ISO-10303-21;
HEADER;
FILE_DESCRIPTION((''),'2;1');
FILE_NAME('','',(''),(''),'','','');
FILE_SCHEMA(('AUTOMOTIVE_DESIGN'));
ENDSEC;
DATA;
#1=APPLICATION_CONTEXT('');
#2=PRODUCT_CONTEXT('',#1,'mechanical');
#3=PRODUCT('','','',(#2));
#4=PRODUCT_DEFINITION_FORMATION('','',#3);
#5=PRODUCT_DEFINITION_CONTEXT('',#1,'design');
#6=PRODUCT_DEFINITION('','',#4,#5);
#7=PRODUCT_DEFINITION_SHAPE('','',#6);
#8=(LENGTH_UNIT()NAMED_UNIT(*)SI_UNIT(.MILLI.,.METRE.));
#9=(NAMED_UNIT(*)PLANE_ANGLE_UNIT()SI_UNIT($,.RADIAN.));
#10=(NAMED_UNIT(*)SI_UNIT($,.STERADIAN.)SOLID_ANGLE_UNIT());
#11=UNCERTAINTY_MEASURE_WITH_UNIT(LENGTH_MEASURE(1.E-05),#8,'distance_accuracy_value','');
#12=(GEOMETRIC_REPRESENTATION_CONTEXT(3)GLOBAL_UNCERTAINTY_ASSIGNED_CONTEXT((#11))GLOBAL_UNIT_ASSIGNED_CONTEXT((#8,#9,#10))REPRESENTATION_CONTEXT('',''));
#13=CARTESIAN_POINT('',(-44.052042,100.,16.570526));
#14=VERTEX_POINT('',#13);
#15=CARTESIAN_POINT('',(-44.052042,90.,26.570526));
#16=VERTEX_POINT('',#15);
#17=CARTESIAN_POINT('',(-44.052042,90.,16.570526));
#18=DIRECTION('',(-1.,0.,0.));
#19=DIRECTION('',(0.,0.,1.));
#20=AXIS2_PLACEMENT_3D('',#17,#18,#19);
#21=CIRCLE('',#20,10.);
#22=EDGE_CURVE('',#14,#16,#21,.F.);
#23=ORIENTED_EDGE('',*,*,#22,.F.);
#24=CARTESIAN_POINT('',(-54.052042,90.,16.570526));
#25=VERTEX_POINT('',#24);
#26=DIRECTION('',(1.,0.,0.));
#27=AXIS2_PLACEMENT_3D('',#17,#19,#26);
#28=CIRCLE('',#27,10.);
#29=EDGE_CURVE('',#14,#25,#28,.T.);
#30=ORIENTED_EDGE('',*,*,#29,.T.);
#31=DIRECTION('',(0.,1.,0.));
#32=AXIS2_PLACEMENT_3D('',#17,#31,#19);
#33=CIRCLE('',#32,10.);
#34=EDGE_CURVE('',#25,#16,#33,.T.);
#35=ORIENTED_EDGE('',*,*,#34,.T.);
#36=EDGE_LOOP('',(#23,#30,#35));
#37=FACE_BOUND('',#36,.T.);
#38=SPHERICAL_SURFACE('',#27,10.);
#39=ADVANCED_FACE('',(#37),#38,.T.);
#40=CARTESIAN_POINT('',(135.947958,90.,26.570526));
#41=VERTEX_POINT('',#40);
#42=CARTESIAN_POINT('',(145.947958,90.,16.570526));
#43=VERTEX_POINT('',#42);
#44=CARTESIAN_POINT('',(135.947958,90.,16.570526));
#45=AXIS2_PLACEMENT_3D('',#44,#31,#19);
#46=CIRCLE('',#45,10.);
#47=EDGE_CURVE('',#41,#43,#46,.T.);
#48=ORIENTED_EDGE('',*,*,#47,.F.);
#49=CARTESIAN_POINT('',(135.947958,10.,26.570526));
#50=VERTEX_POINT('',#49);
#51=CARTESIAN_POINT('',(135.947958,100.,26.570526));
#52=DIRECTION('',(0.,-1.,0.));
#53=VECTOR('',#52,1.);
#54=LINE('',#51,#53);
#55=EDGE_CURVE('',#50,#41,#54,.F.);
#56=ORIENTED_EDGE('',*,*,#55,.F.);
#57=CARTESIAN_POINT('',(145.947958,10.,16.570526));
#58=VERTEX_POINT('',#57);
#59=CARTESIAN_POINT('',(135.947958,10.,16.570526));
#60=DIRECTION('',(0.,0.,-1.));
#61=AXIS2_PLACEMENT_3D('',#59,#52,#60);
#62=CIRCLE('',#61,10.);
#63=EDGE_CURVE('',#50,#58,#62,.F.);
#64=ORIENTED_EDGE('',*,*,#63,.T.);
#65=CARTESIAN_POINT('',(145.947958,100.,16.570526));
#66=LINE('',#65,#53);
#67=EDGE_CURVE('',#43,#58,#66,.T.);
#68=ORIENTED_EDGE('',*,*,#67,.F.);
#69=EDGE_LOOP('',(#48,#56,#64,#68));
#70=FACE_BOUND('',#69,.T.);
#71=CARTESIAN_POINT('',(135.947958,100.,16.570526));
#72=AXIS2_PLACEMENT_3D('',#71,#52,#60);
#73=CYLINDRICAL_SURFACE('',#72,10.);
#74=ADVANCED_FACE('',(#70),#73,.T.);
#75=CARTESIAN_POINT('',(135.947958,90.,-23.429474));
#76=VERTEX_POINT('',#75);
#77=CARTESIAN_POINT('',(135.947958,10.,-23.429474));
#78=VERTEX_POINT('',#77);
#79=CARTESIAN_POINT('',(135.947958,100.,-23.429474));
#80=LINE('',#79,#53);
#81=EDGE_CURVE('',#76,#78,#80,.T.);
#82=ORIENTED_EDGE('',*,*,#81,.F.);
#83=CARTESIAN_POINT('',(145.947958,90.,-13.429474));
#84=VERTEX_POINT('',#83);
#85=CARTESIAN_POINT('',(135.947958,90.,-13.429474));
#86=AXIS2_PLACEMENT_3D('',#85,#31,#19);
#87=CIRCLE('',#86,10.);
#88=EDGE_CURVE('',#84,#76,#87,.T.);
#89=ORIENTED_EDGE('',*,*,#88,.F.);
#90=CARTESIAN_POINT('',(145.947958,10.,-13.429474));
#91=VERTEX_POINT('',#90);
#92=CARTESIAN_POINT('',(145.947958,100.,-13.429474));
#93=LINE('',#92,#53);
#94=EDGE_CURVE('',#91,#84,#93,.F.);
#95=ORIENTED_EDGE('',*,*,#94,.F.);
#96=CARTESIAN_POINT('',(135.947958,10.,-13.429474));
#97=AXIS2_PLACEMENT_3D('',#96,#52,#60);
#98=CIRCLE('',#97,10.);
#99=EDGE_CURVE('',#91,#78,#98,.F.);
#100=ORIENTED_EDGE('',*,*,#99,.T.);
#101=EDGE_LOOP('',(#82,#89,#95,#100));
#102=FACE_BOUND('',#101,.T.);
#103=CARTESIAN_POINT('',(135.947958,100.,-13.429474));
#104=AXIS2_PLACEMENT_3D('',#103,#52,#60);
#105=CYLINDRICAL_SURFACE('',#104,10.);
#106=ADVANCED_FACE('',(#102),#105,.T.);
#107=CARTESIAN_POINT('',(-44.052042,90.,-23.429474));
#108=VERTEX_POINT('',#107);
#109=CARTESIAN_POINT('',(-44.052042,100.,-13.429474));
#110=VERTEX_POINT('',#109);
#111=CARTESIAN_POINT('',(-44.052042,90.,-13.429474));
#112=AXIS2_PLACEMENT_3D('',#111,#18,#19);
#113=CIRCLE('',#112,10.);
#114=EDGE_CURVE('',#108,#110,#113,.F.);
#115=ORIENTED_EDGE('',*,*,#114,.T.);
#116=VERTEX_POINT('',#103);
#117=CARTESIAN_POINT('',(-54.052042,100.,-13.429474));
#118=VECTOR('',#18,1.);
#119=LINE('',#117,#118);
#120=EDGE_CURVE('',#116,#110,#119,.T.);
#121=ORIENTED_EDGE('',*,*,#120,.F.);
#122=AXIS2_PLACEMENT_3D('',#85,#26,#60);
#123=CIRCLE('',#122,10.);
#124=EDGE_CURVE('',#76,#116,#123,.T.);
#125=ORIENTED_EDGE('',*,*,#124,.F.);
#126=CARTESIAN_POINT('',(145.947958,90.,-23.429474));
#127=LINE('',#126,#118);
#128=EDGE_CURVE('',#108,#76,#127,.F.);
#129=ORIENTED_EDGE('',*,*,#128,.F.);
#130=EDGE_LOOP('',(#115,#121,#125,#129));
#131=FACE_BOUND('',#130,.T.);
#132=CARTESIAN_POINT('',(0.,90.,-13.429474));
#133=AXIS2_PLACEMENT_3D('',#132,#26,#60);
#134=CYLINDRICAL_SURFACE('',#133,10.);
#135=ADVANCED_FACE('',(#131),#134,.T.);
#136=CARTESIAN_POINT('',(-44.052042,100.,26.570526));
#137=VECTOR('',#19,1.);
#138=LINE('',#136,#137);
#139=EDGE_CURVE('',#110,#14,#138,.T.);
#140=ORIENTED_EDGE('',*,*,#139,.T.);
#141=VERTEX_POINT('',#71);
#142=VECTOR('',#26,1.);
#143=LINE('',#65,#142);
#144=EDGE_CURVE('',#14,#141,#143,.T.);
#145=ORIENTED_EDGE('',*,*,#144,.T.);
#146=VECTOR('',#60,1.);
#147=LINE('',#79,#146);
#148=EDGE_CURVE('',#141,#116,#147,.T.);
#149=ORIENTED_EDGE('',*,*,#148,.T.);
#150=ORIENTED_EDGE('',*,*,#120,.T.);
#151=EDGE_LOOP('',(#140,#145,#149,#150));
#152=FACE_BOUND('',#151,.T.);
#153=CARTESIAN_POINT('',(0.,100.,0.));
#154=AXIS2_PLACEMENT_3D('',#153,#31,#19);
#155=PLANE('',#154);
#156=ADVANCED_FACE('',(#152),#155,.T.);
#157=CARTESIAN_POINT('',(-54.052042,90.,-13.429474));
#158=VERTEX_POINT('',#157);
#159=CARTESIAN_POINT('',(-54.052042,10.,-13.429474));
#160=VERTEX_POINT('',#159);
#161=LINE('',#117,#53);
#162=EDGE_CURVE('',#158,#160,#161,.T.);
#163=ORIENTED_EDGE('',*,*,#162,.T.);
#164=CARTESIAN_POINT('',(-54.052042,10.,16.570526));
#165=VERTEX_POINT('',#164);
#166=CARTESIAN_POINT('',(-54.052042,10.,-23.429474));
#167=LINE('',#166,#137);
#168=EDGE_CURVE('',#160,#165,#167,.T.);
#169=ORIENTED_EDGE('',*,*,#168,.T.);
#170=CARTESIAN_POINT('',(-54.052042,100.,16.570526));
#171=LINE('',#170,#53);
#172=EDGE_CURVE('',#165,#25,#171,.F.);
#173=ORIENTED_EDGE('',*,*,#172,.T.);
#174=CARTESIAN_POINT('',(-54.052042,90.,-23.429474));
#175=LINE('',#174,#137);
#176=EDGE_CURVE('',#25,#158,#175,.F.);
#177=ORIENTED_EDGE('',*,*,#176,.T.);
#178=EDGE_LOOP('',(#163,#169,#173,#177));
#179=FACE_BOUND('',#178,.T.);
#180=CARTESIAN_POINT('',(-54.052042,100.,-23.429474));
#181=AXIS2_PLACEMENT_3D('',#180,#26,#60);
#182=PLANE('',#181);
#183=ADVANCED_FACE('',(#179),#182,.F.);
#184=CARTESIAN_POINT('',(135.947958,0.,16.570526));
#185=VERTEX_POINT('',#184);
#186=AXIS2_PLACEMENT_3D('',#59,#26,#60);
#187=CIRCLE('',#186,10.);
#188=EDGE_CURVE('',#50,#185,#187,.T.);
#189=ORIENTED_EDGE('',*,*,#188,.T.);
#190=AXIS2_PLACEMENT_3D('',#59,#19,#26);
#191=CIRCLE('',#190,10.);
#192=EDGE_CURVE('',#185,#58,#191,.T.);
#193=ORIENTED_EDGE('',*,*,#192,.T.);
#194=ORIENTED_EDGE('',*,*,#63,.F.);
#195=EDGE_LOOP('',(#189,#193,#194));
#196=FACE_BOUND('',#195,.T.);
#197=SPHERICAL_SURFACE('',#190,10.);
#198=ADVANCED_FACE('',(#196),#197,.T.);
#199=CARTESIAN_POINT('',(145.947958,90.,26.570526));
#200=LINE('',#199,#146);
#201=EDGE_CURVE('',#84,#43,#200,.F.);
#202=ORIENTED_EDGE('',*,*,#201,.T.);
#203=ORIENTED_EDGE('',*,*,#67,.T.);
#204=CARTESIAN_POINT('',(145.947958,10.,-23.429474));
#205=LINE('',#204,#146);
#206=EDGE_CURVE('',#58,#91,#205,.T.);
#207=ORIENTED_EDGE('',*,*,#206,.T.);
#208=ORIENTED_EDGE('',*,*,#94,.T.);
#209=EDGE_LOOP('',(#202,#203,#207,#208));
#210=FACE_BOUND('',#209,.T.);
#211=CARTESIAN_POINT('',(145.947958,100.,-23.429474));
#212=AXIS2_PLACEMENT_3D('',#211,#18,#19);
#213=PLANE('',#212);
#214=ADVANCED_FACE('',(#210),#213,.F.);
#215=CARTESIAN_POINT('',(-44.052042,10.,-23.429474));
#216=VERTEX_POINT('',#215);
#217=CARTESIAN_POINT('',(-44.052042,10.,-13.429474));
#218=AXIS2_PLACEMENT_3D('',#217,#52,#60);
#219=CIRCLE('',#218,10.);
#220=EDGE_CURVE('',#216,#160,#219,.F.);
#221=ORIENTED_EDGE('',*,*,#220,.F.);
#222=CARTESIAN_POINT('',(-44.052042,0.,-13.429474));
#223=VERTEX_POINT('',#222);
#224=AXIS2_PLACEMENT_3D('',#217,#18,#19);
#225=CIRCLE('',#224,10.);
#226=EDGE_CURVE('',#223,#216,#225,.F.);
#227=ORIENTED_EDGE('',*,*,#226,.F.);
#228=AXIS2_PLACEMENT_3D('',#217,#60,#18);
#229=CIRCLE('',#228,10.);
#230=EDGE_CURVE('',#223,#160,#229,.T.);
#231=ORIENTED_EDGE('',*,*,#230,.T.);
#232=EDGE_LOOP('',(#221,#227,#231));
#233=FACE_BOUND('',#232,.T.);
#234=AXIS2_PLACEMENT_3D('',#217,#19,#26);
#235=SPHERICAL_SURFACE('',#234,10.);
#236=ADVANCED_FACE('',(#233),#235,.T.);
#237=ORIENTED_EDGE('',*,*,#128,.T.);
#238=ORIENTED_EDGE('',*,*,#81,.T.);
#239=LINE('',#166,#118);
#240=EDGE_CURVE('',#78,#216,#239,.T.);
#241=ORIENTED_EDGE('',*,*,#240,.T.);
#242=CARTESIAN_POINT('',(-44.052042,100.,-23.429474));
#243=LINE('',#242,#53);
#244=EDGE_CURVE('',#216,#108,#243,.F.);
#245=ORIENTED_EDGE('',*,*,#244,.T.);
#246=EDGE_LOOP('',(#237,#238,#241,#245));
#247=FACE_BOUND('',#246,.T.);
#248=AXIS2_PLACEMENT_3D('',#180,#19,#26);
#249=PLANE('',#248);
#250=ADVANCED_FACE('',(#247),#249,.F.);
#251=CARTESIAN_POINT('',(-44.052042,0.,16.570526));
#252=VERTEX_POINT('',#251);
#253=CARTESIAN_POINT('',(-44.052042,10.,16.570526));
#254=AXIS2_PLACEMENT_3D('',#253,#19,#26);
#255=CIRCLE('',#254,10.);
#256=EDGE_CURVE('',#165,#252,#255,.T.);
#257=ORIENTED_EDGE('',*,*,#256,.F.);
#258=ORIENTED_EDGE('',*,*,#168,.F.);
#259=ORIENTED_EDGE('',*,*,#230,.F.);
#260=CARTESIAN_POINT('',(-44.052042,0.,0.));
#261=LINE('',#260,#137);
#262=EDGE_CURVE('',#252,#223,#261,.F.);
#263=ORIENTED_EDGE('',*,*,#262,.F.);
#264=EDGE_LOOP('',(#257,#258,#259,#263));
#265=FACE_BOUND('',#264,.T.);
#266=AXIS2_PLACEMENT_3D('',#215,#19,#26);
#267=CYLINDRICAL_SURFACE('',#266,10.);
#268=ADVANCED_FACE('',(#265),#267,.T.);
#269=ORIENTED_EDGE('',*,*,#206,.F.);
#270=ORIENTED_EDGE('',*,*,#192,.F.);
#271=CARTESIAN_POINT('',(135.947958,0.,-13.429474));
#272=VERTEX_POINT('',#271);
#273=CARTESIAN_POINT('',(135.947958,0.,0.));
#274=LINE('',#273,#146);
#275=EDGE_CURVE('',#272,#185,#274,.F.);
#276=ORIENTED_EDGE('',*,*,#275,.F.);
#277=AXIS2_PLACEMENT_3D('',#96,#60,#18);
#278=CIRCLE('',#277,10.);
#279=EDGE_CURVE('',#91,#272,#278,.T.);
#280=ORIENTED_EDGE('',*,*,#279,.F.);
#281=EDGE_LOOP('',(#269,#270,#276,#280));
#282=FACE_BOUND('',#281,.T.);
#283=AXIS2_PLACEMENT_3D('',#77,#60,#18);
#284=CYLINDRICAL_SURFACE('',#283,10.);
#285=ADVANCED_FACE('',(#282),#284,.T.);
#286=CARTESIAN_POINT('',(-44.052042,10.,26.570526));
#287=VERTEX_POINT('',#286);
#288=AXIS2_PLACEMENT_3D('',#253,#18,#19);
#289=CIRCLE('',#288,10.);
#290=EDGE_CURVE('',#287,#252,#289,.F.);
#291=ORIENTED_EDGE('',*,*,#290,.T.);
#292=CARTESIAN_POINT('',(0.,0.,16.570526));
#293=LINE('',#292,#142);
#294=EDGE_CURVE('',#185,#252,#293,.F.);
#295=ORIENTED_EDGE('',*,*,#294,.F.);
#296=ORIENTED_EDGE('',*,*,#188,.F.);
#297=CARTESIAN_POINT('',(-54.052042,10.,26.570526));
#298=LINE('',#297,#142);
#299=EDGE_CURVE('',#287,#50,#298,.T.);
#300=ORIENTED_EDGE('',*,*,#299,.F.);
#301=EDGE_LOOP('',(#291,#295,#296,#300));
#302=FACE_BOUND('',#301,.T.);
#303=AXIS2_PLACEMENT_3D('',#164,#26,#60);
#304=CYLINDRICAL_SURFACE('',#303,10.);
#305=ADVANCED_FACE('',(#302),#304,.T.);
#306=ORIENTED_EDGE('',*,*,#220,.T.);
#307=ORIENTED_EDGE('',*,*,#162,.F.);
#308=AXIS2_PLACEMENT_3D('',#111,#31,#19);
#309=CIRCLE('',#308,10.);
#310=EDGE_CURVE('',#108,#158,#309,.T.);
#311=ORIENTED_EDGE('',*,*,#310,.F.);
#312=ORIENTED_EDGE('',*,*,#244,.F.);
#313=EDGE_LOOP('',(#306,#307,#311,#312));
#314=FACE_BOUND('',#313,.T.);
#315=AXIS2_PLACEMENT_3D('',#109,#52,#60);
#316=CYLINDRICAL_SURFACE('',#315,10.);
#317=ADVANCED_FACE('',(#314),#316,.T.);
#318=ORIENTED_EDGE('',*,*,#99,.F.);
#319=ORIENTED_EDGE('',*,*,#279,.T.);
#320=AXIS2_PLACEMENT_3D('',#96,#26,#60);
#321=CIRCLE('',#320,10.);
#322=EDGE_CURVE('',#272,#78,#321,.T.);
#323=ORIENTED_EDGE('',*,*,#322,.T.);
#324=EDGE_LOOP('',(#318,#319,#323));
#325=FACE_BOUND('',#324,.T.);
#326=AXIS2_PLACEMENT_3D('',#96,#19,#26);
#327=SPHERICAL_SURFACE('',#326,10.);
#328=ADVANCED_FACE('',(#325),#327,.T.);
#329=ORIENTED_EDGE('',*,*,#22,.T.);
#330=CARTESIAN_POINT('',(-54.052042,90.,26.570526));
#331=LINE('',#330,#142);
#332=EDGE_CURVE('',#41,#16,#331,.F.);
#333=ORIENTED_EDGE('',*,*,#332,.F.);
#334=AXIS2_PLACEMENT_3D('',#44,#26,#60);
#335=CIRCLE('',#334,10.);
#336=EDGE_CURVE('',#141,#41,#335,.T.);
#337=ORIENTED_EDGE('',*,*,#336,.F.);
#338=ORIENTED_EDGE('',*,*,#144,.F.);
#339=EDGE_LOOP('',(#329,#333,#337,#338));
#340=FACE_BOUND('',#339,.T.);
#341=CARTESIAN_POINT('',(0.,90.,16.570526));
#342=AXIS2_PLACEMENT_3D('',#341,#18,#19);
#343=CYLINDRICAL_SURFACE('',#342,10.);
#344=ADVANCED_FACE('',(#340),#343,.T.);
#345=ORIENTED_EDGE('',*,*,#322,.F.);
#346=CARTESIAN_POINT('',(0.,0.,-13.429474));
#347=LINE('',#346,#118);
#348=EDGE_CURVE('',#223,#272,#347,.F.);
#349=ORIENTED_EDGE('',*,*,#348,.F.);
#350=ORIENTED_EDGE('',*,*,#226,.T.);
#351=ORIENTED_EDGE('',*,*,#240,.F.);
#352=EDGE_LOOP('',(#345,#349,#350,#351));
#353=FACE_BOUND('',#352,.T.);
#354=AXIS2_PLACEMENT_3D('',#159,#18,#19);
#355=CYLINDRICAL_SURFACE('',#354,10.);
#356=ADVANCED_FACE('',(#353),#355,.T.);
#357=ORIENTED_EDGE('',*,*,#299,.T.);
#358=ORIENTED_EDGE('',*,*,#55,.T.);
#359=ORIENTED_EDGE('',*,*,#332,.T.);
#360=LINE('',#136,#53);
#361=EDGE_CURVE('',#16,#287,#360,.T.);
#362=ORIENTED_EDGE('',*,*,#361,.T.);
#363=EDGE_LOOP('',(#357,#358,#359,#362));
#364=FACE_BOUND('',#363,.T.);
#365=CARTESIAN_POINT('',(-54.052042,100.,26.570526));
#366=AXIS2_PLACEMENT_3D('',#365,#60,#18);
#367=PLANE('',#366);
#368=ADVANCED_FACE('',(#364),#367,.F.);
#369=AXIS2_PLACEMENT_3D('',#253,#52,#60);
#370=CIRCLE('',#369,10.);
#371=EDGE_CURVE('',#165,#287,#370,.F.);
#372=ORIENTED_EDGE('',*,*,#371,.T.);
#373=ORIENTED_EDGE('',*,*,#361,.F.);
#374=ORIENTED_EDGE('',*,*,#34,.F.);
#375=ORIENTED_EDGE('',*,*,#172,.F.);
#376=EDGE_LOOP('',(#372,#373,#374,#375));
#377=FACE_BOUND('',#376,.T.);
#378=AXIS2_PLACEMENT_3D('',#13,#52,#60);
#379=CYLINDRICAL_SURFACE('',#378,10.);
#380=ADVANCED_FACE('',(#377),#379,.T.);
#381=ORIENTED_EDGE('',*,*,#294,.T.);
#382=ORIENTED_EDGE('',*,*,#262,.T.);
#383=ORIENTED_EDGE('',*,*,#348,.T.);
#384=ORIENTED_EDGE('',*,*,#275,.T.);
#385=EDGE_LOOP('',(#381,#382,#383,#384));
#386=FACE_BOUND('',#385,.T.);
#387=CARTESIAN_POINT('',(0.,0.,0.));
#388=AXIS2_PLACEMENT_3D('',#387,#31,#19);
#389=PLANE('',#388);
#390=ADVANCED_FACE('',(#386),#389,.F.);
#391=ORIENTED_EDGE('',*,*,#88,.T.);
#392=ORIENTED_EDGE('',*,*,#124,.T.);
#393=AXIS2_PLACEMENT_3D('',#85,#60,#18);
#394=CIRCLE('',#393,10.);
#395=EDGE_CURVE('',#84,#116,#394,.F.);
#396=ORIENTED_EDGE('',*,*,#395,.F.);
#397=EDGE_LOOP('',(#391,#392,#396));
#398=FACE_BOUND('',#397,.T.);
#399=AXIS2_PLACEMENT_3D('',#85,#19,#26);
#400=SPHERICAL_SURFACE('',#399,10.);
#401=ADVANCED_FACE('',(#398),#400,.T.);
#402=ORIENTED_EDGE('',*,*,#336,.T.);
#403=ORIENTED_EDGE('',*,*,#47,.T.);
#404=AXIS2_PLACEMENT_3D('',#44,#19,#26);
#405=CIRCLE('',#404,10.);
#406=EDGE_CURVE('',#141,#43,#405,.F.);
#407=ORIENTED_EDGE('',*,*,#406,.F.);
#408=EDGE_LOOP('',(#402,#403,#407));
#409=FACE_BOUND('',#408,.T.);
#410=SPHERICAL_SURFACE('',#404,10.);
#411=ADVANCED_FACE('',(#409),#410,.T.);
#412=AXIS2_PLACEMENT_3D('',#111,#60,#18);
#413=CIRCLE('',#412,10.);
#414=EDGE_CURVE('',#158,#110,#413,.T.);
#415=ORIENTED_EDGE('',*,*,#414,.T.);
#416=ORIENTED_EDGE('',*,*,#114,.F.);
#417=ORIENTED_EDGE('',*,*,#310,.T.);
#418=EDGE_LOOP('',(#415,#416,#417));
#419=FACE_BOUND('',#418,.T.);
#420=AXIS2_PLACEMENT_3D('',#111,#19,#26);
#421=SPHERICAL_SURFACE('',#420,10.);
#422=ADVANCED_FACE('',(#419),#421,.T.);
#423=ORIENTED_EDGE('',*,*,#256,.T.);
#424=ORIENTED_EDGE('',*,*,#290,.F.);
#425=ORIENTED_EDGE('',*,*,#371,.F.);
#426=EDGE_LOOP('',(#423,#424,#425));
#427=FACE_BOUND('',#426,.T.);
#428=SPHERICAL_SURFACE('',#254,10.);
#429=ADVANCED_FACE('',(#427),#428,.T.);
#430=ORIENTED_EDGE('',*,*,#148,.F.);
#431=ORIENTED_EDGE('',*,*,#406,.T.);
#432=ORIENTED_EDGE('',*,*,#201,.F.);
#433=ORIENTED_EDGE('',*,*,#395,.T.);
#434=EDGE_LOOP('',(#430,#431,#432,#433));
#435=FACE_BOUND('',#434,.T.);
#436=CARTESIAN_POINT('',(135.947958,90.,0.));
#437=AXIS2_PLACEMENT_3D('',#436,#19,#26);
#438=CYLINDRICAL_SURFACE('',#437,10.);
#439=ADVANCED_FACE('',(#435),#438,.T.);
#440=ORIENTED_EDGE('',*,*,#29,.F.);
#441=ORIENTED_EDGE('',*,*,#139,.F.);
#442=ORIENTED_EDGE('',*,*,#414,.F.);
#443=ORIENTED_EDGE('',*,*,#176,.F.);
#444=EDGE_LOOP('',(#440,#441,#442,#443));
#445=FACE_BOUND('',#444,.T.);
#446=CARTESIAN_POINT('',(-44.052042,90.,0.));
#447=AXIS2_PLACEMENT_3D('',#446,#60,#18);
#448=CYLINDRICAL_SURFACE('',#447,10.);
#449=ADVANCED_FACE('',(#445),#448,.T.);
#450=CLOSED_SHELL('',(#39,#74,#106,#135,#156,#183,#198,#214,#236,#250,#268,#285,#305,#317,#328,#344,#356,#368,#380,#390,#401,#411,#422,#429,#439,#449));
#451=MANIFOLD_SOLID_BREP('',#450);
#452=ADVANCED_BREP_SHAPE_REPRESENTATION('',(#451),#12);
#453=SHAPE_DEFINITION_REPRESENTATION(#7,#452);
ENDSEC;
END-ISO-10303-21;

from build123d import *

# Parameters (mm, degrees)
ESBO_O1_W                = 200
ESBO_O1_H                = 50
RESSALTO_EXTRUS_O1_DEPTH = 100
FILETE9_R                = 10


with BuildPart() as part:
    # Esboço1 → Ressalto-extrusão1 (new body)
    with BuildSketch(Plane(origin=(0, 0, 0), x_dir=(1, 0, 0), z_dir=(0, 1, 0))):
        with Locations((45.947958133, -1.570526198)):
            Rectangle(ESBO_O1_W, ESBO_O1_H)
    extrude(amount=RESSALTO_EXTRUS_O1_DEPTH)

    # Filete9
    filete9_edges = [part.edges().sort_by_distance(p)[0] for p in [
        (145.947958133, 100, 1.570526198),
        (45.947958133, 100, -23.429473802),
        (-54.052041867, 100, 1.570526198),
        (45.947958133, 0, -23.429473802),
        (145.947958133, 0, 1.570526198),
        (45.947958133, 0, 26.570526198),
        (-54.052041867, 0, 1.570526198),
        (45.947958133, 100, 26.570526198),
        (-54.052041867, 50, -23.429473802),
        (145.947958133, 50, -23.429473802),
        (145.947958133, 50, 26.570526198),
        (-54.052041867, 50, 26.570526198),
    ]]
    fillet(filete9_edges, radius=FILETE9_R)


solid = part.part
